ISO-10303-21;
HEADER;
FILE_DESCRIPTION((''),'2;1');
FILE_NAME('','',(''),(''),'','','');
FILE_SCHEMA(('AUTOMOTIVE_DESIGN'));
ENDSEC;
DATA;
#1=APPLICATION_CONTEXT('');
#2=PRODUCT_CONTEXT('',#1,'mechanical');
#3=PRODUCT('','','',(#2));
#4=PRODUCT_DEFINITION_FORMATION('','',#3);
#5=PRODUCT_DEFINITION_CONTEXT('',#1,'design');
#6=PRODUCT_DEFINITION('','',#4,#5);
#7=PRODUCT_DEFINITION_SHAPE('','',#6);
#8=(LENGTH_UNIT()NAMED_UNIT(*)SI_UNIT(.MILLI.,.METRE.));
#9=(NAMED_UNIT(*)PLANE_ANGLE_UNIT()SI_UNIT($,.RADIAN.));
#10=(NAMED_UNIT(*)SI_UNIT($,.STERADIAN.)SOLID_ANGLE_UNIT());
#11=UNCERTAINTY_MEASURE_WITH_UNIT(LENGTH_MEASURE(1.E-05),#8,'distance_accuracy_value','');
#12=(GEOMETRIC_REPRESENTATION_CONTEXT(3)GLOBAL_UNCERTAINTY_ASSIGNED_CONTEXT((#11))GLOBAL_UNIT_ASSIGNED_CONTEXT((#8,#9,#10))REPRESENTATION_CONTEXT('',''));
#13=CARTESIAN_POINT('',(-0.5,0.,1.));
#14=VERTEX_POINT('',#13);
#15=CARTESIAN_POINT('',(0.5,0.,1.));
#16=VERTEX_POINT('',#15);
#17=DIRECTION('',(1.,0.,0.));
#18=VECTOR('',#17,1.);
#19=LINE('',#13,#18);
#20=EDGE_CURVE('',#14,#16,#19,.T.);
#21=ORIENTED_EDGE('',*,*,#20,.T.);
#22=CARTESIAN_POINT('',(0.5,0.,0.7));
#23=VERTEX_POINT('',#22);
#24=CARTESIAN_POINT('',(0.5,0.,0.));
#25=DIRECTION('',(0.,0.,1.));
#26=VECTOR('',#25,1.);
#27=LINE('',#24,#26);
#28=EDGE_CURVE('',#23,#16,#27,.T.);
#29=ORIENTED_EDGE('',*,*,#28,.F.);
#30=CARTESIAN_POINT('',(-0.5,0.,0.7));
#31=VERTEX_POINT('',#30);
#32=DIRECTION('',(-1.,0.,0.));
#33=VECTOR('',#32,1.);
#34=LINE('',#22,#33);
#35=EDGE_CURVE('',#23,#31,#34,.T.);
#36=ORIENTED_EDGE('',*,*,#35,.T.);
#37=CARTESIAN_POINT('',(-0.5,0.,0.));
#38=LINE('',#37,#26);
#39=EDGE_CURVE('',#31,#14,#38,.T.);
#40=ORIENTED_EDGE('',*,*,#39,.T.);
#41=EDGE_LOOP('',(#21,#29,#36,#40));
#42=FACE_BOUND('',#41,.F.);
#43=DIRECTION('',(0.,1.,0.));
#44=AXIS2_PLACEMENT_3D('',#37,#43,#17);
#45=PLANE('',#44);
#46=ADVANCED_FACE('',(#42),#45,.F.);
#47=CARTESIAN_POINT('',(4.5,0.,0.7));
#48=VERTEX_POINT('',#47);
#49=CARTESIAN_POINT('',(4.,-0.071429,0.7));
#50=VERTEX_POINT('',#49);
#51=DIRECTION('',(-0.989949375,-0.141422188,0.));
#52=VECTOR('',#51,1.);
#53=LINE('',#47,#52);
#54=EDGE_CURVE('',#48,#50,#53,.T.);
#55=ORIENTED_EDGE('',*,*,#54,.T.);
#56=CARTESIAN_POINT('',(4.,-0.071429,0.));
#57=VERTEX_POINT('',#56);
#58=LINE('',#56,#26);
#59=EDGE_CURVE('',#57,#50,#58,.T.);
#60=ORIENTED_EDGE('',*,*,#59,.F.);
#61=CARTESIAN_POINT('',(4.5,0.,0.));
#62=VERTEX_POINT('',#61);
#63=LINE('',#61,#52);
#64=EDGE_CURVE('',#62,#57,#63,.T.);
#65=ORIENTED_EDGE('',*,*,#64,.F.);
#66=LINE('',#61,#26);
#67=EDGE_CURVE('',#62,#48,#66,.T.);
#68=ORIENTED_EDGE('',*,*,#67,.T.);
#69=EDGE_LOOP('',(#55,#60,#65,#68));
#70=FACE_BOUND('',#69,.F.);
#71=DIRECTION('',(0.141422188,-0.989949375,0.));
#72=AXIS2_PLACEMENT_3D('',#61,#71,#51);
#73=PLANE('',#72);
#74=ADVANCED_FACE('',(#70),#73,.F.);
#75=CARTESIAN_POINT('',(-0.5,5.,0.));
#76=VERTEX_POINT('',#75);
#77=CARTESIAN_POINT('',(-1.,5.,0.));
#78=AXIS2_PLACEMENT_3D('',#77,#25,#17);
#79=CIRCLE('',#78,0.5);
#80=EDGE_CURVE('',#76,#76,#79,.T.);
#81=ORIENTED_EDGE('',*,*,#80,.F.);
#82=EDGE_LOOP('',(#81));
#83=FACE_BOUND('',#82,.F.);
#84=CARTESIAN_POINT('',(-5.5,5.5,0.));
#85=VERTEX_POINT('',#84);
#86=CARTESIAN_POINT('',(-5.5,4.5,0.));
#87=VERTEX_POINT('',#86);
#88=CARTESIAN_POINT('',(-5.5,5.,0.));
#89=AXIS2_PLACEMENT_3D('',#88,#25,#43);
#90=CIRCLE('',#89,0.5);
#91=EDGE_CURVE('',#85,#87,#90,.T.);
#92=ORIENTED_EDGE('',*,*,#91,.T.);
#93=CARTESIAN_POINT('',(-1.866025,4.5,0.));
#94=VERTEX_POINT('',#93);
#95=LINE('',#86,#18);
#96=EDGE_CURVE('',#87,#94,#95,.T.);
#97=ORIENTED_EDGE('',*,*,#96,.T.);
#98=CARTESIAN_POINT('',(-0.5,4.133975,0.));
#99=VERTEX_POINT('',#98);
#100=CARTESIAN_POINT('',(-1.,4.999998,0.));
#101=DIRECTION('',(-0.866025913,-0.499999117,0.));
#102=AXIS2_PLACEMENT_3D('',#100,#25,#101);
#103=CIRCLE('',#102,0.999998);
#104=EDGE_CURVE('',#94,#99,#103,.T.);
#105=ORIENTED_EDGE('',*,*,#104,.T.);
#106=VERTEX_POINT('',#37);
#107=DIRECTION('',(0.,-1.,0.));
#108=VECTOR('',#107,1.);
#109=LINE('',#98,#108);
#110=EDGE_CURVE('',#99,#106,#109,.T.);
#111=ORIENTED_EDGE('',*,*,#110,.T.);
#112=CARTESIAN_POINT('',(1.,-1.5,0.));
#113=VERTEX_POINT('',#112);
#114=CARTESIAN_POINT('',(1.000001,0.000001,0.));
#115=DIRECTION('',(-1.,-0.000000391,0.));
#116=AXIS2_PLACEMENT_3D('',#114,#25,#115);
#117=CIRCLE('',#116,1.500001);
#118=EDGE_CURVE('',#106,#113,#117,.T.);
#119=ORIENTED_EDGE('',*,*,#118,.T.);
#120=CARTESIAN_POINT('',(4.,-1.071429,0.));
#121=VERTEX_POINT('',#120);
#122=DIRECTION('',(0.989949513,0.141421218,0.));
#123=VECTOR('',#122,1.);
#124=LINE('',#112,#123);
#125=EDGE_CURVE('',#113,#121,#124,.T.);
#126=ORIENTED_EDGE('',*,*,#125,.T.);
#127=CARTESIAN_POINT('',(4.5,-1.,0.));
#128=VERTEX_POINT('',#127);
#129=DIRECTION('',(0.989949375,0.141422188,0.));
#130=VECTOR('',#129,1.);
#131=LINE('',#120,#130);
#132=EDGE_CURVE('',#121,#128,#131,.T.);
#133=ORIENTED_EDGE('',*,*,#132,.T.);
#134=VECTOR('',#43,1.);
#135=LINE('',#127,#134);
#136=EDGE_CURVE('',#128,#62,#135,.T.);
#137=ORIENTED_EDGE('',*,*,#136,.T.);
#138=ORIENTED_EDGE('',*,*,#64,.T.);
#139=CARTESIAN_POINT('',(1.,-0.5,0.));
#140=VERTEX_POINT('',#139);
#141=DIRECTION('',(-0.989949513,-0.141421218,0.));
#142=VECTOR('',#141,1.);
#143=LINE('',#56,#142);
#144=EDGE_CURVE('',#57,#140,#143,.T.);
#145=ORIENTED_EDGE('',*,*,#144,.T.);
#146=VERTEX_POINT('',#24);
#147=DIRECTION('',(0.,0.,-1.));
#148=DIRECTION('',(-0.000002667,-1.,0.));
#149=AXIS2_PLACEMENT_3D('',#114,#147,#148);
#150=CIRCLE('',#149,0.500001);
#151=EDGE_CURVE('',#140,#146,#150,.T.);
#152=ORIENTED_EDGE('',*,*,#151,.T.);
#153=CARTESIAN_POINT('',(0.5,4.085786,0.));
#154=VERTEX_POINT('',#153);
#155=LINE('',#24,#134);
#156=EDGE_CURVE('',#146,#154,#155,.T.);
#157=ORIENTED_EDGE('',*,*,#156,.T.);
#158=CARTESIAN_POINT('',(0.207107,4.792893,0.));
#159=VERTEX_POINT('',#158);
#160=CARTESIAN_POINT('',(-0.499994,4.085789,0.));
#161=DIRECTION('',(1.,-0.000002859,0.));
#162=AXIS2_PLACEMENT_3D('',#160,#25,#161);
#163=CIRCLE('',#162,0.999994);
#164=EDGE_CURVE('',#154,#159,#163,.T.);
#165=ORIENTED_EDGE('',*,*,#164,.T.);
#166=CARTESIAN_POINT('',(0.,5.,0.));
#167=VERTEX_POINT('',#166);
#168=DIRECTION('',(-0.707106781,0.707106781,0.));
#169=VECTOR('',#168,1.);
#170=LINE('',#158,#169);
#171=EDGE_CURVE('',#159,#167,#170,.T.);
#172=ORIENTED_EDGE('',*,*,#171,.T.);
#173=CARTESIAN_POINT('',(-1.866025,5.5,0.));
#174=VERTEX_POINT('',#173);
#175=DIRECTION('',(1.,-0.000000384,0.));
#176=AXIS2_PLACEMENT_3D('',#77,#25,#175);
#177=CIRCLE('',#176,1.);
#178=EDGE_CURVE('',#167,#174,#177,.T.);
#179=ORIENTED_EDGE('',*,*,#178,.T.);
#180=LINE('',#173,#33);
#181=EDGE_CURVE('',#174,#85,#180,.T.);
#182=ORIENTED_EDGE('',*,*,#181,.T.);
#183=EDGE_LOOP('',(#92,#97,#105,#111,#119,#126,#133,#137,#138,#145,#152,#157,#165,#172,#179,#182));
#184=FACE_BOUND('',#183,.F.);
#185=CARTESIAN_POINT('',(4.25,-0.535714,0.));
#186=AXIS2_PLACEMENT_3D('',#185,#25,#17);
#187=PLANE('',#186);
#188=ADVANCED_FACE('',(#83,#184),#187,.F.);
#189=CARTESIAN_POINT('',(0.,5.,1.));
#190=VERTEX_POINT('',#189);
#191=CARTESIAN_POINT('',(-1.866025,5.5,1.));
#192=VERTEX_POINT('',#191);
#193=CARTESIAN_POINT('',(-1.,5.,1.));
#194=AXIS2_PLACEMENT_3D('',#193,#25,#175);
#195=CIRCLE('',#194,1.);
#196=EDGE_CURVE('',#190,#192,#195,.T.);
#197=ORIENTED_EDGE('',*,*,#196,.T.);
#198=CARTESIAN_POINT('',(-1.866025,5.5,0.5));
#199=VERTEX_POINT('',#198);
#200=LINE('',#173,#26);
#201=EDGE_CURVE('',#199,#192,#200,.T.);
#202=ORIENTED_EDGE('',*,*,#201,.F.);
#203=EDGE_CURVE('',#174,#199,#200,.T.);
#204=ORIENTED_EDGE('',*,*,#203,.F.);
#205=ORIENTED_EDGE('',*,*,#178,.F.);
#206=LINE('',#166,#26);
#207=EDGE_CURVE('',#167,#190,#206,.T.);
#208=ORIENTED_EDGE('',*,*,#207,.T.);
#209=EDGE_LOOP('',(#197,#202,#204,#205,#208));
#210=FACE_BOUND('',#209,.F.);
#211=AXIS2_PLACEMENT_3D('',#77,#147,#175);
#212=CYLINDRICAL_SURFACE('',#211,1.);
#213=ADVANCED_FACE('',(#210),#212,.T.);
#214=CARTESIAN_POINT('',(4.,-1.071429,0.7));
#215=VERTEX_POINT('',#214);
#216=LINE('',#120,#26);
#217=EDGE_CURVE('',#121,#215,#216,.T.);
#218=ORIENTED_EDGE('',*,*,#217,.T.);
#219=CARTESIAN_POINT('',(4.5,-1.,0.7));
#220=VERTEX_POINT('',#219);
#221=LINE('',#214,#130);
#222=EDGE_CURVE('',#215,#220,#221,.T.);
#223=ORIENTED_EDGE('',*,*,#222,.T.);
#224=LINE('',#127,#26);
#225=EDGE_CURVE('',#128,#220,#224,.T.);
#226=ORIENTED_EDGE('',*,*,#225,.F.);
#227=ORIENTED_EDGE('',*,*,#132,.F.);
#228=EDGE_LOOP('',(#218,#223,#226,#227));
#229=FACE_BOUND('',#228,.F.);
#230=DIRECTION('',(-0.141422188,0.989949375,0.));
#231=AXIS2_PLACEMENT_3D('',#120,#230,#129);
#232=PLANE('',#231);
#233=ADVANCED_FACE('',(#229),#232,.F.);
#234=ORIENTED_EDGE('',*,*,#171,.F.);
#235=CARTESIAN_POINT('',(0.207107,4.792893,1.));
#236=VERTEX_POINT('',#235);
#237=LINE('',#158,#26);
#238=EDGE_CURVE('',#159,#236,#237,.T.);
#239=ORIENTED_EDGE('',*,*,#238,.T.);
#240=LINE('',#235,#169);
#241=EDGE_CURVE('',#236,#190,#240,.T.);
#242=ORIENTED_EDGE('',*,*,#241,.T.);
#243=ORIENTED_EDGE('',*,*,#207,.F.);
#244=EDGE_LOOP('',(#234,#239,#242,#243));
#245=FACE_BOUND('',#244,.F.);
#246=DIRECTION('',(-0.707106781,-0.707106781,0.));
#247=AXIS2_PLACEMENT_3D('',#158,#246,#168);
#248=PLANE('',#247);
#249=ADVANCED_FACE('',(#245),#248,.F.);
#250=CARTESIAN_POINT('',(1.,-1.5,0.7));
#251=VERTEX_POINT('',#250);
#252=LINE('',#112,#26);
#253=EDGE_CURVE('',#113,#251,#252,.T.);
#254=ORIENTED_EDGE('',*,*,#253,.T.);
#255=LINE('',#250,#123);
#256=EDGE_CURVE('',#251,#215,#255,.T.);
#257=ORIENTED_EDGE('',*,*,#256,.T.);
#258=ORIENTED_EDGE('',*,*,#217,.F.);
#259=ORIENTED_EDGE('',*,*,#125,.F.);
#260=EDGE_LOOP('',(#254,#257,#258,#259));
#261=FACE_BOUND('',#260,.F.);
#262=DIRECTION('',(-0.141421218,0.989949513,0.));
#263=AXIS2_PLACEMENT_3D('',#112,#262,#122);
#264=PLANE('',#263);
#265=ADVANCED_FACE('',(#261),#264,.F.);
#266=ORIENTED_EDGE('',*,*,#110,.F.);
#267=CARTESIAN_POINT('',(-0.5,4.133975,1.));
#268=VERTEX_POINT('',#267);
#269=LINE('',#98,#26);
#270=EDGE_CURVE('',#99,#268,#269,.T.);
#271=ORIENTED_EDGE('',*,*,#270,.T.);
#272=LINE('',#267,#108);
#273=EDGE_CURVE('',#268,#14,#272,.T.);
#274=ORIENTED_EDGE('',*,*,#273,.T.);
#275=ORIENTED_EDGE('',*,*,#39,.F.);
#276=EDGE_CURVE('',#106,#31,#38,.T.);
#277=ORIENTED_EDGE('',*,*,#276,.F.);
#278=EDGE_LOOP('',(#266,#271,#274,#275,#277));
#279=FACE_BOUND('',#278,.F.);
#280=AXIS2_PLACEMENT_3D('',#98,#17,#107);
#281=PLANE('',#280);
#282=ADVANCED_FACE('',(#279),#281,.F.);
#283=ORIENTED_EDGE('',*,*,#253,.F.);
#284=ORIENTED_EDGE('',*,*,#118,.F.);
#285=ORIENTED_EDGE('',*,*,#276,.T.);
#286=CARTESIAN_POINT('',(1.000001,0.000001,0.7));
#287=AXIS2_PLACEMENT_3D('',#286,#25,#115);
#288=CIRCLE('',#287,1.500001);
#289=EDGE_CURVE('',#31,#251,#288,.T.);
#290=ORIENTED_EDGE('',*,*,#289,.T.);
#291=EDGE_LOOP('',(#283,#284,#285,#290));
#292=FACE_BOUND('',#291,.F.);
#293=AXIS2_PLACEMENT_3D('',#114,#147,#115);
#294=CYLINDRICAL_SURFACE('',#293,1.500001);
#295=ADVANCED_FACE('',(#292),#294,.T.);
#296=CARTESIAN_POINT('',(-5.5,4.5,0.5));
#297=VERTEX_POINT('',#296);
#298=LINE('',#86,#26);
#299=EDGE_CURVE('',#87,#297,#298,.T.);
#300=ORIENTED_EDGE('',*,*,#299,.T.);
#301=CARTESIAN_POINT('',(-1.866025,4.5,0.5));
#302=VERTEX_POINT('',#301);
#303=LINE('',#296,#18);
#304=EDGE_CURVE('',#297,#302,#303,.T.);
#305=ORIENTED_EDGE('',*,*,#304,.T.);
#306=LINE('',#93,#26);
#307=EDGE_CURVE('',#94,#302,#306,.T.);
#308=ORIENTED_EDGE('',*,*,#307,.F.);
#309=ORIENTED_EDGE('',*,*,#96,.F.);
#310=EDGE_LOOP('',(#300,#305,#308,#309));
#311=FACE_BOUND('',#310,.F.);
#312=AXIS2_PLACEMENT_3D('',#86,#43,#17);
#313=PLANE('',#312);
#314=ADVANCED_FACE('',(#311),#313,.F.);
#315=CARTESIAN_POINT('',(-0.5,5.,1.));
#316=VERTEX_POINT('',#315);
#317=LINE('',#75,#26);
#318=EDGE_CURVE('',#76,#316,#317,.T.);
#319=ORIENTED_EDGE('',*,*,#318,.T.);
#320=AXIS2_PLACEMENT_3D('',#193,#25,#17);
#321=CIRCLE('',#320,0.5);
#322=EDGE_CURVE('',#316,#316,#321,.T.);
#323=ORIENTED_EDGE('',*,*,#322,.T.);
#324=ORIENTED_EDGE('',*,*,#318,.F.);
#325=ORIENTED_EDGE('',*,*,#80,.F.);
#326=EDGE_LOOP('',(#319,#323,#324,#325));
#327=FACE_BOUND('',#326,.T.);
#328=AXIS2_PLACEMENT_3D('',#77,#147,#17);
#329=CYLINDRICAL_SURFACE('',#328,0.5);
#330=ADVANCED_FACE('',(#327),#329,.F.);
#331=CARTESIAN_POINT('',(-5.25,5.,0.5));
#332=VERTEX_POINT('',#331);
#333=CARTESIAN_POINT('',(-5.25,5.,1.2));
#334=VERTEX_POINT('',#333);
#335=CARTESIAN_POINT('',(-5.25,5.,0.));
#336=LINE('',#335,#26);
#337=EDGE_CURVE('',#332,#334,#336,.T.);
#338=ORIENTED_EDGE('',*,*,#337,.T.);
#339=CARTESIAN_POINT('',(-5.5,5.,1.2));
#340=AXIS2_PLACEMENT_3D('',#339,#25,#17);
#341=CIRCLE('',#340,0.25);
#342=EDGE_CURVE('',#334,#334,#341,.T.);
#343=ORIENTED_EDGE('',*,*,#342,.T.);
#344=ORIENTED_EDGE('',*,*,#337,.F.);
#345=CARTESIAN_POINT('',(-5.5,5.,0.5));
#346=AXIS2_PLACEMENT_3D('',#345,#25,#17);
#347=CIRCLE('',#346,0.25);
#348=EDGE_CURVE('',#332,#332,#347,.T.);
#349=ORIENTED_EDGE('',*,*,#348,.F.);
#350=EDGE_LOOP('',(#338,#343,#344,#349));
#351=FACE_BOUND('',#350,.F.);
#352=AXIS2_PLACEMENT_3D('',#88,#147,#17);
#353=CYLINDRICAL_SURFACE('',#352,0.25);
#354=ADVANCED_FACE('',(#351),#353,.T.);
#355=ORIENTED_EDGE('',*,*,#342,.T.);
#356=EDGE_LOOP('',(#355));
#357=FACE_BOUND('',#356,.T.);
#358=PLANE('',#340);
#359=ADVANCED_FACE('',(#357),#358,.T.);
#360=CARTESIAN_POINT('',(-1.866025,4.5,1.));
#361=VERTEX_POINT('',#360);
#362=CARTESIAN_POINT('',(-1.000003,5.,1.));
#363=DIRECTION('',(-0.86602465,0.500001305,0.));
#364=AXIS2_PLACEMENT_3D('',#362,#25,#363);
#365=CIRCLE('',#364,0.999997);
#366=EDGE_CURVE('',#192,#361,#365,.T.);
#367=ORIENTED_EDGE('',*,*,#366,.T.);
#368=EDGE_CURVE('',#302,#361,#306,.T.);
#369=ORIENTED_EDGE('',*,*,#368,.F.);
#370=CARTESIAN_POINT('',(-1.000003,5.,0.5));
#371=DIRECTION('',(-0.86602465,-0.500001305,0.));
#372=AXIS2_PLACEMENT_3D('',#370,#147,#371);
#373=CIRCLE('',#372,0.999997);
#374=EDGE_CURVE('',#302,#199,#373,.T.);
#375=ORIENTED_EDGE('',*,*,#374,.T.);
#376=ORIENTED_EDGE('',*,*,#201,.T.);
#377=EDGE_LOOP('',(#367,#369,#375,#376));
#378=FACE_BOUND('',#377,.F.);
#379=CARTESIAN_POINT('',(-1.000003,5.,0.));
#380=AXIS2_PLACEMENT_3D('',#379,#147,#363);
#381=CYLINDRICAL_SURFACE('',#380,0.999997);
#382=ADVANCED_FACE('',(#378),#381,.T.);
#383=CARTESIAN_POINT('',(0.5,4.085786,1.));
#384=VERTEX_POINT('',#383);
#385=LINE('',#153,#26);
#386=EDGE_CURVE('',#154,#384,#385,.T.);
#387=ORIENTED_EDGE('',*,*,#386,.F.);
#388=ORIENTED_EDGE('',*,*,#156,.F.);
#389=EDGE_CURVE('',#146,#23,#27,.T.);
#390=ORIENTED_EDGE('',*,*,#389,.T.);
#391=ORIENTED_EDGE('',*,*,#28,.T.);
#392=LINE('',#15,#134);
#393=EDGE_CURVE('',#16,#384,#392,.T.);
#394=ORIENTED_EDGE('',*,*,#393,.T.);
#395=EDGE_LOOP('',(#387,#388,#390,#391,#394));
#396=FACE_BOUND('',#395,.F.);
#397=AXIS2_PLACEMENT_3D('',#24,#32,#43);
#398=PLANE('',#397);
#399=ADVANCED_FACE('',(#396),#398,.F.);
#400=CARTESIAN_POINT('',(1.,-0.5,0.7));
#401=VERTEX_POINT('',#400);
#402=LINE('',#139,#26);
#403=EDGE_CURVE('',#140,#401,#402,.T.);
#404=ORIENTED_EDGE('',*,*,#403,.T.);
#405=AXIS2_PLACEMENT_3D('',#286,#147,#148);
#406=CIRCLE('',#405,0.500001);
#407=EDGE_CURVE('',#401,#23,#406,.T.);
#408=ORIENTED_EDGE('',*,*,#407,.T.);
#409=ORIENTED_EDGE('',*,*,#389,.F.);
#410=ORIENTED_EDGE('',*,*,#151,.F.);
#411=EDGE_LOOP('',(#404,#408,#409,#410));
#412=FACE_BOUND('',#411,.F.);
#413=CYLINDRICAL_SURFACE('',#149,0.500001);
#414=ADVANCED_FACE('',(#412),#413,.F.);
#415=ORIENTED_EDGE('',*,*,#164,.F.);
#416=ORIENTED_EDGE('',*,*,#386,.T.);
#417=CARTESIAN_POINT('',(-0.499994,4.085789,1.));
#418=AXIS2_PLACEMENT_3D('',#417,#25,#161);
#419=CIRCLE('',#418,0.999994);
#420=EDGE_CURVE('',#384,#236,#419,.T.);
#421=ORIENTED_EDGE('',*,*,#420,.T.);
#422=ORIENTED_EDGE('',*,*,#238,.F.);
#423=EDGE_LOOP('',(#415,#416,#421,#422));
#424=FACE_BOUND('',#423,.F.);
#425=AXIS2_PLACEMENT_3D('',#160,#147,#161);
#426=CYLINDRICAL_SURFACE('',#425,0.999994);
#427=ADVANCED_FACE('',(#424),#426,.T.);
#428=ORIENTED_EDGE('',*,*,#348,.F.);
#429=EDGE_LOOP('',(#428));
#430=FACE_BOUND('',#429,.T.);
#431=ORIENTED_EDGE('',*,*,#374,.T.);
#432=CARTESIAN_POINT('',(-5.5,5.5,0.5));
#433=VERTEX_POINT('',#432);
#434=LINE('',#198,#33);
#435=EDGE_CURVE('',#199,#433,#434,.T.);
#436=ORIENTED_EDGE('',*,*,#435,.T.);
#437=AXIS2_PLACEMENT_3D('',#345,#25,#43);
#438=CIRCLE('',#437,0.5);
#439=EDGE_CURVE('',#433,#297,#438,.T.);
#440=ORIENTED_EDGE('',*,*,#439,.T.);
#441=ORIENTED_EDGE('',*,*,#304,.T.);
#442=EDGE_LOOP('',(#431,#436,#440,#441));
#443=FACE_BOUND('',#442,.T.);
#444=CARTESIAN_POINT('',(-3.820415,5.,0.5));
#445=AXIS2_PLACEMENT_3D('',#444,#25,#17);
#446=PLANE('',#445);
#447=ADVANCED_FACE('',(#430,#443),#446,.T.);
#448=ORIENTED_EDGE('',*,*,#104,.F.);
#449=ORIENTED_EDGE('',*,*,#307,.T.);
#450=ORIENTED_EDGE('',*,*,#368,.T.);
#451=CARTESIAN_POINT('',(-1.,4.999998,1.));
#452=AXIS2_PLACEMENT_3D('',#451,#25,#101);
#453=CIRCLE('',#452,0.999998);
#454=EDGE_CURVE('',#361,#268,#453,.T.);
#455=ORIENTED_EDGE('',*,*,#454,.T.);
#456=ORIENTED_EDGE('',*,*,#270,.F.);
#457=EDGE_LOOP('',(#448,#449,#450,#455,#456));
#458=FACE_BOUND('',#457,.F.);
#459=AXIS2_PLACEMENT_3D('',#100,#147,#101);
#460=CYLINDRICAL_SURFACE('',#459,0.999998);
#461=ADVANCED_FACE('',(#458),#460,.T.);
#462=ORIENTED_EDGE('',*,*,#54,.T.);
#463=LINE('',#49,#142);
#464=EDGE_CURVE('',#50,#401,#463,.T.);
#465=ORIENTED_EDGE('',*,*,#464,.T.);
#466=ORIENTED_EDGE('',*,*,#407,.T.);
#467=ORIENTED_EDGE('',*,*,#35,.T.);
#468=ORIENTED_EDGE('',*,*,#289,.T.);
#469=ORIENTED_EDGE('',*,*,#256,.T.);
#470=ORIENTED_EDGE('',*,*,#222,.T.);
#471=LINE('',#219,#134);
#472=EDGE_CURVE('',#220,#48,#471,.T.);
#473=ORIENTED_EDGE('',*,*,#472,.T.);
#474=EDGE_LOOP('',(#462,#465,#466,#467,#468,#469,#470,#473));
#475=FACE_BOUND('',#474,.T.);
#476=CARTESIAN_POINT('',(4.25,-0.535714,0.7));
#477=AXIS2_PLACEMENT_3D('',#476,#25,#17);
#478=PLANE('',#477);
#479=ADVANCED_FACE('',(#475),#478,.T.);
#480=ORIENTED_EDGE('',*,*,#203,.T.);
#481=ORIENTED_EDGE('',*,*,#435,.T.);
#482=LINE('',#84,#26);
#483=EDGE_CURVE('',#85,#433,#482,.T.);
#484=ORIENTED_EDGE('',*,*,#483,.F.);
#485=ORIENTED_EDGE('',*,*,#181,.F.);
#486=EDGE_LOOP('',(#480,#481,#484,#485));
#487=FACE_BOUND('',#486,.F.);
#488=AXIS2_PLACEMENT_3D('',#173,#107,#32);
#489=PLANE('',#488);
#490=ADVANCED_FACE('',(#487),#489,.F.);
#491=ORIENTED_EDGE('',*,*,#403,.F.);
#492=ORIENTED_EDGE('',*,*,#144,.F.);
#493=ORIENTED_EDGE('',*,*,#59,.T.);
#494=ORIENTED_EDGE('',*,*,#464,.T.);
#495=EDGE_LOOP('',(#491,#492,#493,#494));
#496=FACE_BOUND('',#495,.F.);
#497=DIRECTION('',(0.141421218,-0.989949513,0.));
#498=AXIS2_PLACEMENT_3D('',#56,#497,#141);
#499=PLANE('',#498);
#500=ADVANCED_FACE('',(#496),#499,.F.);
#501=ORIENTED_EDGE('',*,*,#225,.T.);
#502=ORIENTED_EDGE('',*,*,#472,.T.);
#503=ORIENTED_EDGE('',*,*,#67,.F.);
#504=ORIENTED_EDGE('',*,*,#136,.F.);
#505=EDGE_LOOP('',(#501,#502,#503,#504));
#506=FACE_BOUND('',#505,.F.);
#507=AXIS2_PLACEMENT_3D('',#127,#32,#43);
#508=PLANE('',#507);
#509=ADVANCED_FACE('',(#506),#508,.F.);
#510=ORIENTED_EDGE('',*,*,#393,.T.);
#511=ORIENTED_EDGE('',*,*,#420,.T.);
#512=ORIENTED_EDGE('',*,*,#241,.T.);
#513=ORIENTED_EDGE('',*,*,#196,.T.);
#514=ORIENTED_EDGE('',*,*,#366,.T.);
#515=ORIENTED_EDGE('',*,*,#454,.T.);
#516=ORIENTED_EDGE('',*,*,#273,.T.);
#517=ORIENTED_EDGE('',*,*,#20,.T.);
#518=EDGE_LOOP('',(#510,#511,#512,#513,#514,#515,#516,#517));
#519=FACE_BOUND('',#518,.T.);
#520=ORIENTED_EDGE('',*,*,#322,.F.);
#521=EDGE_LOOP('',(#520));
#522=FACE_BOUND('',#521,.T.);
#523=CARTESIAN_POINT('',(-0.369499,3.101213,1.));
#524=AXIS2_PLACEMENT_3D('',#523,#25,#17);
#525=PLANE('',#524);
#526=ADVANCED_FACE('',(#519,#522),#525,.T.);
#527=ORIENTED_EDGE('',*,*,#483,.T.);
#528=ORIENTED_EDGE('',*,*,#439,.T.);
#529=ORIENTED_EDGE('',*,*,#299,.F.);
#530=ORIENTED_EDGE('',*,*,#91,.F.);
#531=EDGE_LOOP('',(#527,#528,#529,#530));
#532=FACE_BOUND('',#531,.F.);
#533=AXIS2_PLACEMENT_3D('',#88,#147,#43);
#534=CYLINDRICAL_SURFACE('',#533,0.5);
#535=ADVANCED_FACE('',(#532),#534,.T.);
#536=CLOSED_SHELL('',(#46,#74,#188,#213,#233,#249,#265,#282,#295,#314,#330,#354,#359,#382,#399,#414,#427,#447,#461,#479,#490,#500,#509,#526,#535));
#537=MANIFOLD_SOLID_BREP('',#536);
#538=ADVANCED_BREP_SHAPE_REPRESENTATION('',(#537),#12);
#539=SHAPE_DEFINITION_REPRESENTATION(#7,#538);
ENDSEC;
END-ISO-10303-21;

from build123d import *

# Parameters (mm, degrees)
F0_R     = 0.25
F1_DEPTH = 0.5
F0_R_2   = 0.5
F2_DEPTH = 1
F3_DEPTH = 0.7
F4_DEPTH = 0.7
F5_DEPTH = 1.2


with BuildPart() as f1:
    # F0 (on Top) → F1 (new body)
    with BuildSketch(Plane.XY):
        with BuildLine():
            Line((-5.5, 4.5), (-1.866025, 4.5))
            ThreePointArc((-1.866025, 4.5), (-2, 5), (-1.866025, 5.5))
            Line((-1.866025, 5.5), (-5.5, 5.5))
            ThreePointArc((-5.5, 5.5), (-6, 5), (-5.5, 4.5))
        make_face()
        with Locations((-5.5, 5)):
            Circle(F0_R, mode=Mode.SUBTRACT)
    extrude(amount=F1_DEPTH)

    # F0 (on Top) → F2 (join)
    with BuildSketch(Plane.XY):
        with BuildLine():
            ThreePointArc((-1.866025, 4.5), (-1.258819, 4.034074), (-0.5, 4.133975))
            Line((-0.5, 4.133975), (-0.5, 0))
            Line((-0.5, 0), (0.5, 0))
            Line((0.5, 0), (0.5, 4.085786))
            ThreePointArc((0.5, 4.085786), (0.42388, 4.46847), (0.207107, 4.792893))
            Line((0.207107, 4.792893), (0, 5))
            ThreePointArc((0, 5), (-0.741181, 5.965926), (-1.866025, 5.5))
            ThreePointArc((-1.866025, 5.5), (-2, 5), (-1.866025, 4.5))
        make_face()
        with Locations((-1, 5)):
            Circle(F0_R_2, mode=Mode.SUBTRACT)
    extrude(amount=F2_DEPTH)

    # F0 (on Top) → F3 (join)
    with BuildSketch(Plane.XY):
        with BuildLine():
            Line((0.5, 0), (-0.5, 0))
            ThreePointArc((-0.5, 0), (-0.06066, -1.06066), (1, -1.5))
            Line((1, -1.5), (4, -1.071429))
            Line((4, -1.071429), (4, -0.071429))
            Line((4, -0.071429), (1, -0.5))
            ThreePointArc((1, -0.5), (0.646447, -0.353553), (0.5, 0))
        make_face()
    extrude(amount=F3_DEPTH)

    # F0 (on Top) → F4 (join, through all)
    with BuildSketch(Plane.XY):
        Polygon((4, -0.071429), (4, -1.071429), (4.5, -1), (4.5, 0), align=None)
    extrude(amount=F4_DEPTH)

    # F0 (on Top) → F5 (join)
    with BuildSketch(Plane.XY):
        with Locations((-5.5, 5)):
            Circle(F0_R)
    extrude(amount=F5_DEPTH)


solid = f1.part
